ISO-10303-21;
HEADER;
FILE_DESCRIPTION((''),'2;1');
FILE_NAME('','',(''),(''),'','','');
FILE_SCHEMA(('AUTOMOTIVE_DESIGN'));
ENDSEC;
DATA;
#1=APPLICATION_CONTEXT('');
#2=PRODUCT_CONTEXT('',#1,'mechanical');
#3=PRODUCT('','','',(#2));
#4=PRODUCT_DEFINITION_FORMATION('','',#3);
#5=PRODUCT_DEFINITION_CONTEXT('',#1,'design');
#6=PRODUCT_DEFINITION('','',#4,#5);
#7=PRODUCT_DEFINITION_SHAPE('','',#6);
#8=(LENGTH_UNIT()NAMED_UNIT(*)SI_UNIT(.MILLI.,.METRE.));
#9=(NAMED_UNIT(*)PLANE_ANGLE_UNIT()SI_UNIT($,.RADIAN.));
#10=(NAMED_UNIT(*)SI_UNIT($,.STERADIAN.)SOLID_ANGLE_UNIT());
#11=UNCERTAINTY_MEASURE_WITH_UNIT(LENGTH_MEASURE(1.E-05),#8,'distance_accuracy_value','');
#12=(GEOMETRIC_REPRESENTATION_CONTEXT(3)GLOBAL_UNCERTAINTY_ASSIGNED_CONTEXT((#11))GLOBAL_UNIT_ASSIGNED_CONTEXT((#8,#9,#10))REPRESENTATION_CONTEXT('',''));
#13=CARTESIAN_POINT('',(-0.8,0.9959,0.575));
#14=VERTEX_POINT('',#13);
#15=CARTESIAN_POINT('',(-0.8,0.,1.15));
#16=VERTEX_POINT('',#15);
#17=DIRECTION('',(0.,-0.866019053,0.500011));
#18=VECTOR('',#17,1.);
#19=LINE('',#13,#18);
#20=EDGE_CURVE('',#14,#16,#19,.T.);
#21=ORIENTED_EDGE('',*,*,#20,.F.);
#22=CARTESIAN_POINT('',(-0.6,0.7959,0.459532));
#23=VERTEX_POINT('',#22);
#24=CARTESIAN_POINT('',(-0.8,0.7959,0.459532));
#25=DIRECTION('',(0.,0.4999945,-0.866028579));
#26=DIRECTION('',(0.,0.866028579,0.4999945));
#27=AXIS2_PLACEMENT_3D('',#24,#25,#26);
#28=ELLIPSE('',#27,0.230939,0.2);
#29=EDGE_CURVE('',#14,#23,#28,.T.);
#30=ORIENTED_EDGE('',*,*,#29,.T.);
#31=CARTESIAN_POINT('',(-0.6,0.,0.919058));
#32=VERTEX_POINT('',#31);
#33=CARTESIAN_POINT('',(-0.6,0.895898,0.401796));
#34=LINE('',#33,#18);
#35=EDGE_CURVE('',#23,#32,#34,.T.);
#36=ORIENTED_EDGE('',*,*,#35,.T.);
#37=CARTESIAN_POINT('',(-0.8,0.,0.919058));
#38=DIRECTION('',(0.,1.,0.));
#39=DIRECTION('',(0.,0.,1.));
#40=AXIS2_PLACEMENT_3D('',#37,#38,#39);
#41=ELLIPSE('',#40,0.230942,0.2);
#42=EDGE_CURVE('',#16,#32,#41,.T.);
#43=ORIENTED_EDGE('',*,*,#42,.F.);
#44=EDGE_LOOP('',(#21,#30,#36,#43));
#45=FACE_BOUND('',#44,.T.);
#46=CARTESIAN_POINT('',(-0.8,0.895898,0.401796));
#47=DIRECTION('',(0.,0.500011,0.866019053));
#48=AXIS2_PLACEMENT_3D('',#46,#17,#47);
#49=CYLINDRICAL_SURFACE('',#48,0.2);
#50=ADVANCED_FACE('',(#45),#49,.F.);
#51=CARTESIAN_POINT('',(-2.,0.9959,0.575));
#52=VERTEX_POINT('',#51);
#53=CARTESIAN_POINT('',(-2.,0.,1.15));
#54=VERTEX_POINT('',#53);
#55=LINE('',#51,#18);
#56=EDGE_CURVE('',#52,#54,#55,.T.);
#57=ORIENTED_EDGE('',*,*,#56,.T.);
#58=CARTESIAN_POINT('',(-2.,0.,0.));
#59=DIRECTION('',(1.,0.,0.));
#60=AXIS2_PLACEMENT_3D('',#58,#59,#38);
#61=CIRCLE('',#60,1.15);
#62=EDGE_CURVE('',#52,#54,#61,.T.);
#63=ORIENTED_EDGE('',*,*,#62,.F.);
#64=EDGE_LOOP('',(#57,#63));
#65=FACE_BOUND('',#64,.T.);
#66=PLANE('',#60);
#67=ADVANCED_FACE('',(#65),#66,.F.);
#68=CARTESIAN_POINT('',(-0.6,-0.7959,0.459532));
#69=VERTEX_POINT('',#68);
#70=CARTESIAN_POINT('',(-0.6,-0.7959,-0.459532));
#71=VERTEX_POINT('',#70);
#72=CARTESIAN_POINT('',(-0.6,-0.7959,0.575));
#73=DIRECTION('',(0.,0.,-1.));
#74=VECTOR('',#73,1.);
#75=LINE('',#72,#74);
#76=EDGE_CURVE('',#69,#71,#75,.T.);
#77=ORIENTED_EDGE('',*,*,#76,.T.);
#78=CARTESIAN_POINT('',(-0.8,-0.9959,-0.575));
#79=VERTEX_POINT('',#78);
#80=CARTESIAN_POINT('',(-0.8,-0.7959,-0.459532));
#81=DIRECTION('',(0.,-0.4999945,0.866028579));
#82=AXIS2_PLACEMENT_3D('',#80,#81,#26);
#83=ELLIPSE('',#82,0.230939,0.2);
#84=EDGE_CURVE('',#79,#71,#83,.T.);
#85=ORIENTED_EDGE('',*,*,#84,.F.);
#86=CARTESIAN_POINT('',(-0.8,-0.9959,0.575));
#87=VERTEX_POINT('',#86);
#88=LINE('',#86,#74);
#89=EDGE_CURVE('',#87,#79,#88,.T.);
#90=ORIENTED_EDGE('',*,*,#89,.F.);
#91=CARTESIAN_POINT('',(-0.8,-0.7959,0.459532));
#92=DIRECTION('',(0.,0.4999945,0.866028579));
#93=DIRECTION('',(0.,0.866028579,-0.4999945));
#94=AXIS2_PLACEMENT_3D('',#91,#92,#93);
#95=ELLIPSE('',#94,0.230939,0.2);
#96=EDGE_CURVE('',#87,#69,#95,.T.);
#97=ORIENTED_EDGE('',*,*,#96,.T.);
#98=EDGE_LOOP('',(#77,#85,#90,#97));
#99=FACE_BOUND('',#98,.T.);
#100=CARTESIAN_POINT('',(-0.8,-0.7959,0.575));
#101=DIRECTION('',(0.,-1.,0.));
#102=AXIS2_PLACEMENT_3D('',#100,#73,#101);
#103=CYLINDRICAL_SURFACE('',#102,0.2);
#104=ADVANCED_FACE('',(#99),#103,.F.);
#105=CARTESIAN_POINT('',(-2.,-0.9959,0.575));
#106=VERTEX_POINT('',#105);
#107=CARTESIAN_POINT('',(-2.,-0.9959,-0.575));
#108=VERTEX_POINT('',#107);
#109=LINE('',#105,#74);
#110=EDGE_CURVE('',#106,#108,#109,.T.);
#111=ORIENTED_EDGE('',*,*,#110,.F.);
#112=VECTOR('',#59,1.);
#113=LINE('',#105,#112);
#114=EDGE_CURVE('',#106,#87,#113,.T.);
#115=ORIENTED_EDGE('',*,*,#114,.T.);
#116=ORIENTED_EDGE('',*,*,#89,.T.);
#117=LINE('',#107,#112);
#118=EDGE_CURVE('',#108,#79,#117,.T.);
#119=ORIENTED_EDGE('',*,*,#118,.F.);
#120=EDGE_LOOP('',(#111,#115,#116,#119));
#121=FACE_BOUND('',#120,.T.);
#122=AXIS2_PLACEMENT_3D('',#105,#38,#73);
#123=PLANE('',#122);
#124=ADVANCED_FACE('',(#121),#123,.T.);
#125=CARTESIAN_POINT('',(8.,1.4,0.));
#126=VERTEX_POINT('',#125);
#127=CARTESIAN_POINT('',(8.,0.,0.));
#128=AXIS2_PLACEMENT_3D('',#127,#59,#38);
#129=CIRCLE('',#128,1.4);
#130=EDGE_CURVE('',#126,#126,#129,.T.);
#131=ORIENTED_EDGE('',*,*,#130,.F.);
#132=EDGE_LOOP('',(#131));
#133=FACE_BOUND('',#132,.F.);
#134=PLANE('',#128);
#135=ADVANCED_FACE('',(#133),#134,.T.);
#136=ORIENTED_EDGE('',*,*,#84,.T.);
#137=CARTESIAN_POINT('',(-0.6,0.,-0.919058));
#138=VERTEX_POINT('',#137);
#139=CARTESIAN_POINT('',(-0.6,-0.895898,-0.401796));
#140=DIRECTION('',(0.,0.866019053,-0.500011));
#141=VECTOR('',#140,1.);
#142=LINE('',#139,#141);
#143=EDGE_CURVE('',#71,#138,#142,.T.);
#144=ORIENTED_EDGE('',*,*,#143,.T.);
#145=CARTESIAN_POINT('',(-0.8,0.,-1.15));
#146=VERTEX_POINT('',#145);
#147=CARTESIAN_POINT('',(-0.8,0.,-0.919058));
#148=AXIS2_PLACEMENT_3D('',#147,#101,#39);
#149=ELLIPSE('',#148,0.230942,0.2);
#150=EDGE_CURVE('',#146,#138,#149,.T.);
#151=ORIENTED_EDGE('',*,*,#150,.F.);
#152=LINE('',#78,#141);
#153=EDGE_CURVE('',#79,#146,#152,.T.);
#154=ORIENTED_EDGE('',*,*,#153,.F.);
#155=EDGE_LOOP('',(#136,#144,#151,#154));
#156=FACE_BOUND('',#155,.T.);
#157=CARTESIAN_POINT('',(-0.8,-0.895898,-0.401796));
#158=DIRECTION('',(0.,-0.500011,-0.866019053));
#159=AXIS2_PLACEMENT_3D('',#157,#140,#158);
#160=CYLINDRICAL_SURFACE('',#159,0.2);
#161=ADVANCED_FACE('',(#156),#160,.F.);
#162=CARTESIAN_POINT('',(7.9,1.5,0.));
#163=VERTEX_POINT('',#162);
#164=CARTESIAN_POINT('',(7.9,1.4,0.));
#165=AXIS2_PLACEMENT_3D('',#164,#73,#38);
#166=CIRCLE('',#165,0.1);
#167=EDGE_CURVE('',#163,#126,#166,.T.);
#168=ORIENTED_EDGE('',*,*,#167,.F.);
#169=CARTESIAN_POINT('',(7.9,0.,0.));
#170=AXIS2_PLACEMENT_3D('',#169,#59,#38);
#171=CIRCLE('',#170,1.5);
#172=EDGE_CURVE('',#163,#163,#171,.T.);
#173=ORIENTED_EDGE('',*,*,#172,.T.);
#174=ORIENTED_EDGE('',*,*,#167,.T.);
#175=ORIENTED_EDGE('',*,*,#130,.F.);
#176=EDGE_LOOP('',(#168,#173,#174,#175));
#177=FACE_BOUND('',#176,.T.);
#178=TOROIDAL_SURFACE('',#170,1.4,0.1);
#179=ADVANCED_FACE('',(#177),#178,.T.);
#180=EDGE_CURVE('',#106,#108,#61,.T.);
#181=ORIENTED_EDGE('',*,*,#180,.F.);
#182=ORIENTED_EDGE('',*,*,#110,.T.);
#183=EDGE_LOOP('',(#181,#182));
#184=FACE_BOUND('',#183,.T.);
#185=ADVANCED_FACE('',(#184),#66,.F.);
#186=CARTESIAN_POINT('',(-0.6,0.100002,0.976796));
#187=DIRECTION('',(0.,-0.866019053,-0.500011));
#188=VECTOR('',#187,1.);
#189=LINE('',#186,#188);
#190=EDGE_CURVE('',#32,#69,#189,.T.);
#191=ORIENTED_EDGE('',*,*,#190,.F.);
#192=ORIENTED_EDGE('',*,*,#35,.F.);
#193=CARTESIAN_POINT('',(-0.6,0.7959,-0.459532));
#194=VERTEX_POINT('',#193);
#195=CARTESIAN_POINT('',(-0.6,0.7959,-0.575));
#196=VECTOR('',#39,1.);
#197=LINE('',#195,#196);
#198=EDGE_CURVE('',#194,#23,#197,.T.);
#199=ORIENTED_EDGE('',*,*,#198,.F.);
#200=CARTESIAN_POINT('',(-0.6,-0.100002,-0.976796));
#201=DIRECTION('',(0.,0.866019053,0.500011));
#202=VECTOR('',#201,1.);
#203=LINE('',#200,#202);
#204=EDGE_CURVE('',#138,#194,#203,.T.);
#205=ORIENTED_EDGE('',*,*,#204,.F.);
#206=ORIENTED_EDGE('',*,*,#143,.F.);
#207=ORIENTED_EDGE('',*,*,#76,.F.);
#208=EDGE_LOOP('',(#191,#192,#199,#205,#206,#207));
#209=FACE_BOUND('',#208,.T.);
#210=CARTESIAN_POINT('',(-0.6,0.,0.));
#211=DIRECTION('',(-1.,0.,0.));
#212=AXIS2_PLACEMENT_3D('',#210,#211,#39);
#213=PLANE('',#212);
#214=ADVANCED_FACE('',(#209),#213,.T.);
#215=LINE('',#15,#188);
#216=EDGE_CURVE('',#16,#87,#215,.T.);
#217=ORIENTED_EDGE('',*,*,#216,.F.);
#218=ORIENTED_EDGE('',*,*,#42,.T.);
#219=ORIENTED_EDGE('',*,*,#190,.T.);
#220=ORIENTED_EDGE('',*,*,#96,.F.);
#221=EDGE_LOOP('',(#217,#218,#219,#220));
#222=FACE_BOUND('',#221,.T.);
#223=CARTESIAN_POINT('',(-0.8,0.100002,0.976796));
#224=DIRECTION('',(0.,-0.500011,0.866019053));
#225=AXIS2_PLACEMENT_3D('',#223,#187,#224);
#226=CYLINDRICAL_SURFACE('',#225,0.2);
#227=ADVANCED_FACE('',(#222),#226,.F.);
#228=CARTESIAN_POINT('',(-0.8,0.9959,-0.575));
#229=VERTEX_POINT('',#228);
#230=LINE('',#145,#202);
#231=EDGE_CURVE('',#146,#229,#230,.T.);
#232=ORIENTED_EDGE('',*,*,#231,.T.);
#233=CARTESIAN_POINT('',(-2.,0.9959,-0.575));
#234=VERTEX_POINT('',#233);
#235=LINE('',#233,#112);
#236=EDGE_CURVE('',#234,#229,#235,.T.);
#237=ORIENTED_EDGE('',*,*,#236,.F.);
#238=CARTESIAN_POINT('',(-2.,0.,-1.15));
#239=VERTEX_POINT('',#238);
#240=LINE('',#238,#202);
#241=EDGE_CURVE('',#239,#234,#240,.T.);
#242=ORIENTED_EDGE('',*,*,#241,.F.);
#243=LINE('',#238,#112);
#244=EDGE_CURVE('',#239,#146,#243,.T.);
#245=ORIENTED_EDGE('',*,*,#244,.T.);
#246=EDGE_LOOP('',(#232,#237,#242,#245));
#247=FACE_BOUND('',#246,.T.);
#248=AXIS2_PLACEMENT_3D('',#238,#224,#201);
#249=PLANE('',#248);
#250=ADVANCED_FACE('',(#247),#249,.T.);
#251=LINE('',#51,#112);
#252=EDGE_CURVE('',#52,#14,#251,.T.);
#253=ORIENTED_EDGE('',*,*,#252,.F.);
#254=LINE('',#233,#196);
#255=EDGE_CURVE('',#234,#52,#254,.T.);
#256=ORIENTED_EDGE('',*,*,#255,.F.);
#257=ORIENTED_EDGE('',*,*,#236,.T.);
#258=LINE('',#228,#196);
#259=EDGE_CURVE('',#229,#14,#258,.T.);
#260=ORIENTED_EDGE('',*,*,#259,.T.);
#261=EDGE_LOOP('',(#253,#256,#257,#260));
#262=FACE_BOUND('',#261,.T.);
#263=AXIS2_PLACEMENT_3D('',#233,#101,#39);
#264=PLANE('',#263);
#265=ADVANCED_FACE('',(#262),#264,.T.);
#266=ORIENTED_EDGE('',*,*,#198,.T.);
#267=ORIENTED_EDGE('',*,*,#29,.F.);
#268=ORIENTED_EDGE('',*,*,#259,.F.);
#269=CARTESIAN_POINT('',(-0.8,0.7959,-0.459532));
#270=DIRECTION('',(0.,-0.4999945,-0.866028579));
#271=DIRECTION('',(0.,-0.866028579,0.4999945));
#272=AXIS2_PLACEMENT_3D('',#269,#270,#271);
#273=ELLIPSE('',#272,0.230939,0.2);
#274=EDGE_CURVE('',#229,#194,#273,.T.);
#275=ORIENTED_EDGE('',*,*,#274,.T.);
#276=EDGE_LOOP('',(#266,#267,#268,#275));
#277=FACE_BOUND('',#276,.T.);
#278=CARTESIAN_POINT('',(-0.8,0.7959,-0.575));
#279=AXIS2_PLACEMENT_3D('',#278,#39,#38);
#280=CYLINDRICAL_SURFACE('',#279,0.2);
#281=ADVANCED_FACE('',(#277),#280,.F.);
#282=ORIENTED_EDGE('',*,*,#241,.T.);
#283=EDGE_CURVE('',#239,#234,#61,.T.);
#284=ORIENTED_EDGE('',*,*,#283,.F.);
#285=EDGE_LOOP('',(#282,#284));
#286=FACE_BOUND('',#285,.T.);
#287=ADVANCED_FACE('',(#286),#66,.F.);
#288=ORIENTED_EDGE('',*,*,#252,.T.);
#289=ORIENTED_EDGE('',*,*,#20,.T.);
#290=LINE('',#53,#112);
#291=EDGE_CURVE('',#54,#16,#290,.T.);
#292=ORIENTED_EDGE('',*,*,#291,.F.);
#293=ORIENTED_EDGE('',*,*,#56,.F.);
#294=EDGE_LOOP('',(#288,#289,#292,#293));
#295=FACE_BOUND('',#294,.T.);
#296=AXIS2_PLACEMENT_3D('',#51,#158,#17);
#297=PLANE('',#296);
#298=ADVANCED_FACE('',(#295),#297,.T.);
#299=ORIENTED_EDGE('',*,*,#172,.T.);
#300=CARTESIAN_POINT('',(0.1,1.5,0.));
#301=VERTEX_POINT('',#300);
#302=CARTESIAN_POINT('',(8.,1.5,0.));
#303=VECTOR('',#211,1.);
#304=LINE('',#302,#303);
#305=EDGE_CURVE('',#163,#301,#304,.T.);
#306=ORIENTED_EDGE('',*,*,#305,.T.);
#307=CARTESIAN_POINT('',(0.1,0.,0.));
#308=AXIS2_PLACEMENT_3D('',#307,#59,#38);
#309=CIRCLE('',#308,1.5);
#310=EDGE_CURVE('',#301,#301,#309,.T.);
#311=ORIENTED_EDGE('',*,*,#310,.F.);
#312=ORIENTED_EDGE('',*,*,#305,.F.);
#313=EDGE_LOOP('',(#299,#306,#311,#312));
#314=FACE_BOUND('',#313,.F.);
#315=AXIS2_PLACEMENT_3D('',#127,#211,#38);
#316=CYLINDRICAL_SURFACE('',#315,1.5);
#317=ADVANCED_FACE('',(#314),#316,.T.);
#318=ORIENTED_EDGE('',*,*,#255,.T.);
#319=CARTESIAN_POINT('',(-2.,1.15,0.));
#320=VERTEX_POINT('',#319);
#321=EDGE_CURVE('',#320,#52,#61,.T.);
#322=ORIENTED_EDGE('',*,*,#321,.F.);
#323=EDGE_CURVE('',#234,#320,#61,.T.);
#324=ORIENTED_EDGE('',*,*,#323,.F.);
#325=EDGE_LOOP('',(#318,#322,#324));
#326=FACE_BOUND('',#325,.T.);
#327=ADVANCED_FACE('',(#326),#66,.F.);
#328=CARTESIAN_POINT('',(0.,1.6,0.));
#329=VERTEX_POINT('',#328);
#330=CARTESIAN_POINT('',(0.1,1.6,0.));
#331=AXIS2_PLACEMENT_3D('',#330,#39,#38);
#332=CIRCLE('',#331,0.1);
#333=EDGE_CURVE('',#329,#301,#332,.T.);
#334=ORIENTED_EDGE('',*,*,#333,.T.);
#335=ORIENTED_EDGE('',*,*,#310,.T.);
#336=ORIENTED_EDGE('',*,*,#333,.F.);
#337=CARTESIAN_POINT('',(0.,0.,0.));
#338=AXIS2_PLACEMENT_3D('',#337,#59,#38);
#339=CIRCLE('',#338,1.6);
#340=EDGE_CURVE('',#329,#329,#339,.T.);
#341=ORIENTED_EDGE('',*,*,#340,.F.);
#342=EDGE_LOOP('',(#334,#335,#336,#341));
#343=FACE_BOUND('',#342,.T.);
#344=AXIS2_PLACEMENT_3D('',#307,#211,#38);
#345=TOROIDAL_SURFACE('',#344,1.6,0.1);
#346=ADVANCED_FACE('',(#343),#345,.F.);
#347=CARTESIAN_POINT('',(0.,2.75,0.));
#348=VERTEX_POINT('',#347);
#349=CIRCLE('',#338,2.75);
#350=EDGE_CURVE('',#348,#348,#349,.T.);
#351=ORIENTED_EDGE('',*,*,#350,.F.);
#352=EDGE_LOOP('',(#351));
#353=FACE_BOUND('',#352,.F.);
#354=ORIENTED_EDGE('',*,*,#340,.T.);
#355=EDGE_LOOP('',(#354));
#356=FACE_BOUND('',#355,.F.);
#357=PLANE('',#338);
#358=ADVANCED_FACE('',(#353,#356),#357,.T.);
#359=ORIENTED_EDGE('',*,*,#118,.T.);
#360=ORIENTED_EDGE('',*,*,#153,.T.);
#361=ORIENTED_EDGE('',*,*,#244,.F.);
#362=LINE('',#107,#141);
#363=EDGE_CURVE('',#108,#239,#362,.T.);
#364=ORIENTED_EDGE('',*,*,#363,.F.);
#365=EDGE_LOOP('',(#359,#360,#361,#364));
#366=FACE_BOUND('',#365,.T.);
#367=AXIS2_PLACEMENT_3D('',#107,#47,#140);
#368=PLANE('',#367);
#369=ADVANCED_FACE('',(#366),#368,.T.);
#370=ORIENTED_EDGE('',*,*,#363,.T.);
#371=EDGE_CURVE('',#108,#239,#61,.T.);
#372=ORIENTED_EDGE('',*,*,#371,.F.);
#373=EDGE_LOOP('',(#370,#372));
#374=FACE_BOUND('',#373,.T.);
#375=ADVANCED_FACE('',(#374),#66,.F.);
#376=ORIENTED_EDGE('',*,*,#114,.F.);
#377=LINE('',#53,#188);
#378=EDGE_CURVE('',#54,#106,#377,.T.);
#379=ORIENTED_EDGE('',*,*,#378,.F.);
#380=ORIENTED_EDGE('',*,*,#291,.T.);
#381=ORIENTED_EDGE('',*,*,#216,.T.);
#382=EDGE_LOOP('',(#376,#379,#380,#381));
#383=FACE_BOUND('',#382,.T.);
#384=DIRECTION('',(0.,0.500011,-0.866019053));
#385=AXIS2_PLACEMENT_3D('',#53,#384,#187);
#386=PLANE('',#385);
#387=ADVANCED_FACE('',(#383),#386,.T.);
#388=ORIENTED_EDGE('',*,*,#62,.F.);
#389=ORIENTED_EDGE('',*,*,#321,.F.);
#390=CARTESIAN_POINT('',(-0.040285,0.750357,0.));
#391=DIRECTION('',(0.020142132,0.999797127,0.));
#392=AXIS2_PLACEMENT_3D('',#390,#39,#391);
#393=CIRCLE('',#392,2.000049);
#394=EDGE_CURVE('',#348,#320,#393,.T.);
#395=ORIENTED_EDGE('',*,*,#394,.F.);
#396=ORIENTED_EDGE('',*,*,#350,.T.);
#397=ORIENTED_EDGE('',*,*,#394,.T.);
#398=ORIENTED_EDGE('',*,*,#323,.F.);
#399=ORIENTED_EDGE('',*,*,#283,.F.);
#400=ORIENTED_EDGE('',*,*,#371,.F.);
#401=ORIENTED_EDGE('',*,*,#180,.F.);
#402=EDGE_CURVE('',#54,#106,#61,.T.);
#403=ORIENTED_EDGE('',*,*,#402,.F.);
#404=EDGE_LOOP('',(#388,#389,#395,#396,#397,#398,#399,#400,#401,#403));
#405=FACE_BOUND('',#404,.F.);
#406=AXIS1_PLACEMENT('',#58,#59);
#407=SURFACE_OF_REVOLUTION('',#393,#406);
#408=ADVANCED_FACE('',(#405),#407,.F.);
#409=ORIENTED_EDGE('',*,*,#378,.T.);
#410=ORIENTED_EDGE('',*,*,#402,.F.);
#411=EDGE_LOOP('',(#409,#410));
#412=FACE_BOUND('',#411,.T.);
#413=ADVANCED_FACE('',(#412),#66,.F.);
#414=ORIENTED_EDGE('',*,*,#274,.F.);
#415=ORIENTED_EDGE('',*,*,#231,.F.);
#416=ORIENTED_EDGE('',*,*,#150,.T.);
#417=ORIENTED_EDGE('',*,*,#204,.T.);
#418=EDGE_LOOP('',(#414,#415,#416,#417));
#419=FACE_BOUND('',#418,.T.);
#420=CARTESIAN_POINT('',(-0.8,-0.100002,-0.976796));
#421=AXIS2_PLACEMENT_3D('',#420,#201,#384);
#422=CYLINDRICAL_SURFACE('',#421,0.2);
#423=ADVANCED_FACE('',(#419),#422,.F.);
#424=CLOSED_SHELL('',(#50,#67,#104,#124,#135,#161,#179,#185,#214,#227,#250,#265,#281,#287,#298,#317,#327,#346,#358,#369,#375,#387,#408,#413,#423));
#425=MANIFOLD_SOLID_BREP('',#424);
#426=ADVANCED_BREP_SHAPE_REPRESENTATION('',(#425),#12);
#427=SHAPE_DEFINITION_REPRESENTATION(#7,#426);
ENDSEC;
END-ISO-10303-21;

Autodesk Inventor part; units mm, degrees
ref_plane "YZ Plane" through (0, 0, 0) normal (1, 0, 0) x (0, 1, 0)
ref_plane "XZ Plane" through (0, 0, 0) normal (0, 1, 0) x (-1, 0, 0)
ref_plane "XY Plane" through (0, 0, 0) normal (0, 0, 1) x (1, 0, 0)
sketch "スケッチ1" plane through (0, 0, 0) normal (0, 0, 1) x (1, 0, 0)
  line L0 (0, 0) -> (8, 0)
  line L1 (8, 0) -> (8, 1.5)
  line L2 (8, 1.5) -> (0, 1.5)
  line L3 (0, 1.5) -> (0, 0)
  line L4 (0, 0) -> (0, 2.75)
  line L5 (0, 0) -> (-2, 0)
  line L6 (-2, 0) -> (0, 0)
  line L7 (-2, 0) -> (-2, 1.15)
  arc A0 (0, 2.75) -> (-2, 1.15) centre (-0.0403, 0.7504) ccw
  dimension "d0" = 1.5
  dimension "d1" = 8
  dimension "d3" = 2
  dimension "d4" = 2.75
  dimension "d5" = 1.15
  dimension "d6" = 2
revolve "回転1" add sketch "スケッチ1" angle 360 about axis through (-2, 0, 0) along (1, 0, 0)
thread "ねじ1" size "M3x0.5" class "6g" standard "ANSI Metric M Profile" length 100
sketch "スケッチ2" plane through (-2, 0, 0) normal (-1, 0, 0) x (0, 0, 1)
  circle A0 centre (0, 0) radius 1.15 projected
  line L0 (-0.575, 0.9959) -> (0.575, 0.9959)
  line L1 (0.575, 0.9959) -> (1.15, 0)
  line L2 (1.15, 0) -> (0.575, -0.9959)
  line L3 (0.575, -0.9959) -> (-0.575, -0.9959)
  line L4 (-0.575, -0.9959) -> (-1.15, 0)
  line L5 (-1.15, 0) -> (-0.575, 0.9959)
  dimension "d10" = 1.15
  dimension "d11" = 1.9919
extrude "押し出し1" cut sketch "スケッチ2" against normal blind 1.4 contours L2 L3 L4 L5 L0 L1
fillet "フィレット1" radius 0.2 6 edges at (-0.6, 0.9959, 0) (-0.6, 0.498, 0.8625) (-0.6, 0.498, -0.8625) (-0.6, -0.498, -0.8625) (-0.6, -0.9959, 0) (-0.6, -0.498, 0.8625)
fillet "フィレット2" radius 0.1 1 edges at (0, -1.5, 0)
fillet "フィレット3" radius 0.1 1 edges at (8, -1.5, 0)
properties part number "ネジボタンM3L8" material "鋼"
